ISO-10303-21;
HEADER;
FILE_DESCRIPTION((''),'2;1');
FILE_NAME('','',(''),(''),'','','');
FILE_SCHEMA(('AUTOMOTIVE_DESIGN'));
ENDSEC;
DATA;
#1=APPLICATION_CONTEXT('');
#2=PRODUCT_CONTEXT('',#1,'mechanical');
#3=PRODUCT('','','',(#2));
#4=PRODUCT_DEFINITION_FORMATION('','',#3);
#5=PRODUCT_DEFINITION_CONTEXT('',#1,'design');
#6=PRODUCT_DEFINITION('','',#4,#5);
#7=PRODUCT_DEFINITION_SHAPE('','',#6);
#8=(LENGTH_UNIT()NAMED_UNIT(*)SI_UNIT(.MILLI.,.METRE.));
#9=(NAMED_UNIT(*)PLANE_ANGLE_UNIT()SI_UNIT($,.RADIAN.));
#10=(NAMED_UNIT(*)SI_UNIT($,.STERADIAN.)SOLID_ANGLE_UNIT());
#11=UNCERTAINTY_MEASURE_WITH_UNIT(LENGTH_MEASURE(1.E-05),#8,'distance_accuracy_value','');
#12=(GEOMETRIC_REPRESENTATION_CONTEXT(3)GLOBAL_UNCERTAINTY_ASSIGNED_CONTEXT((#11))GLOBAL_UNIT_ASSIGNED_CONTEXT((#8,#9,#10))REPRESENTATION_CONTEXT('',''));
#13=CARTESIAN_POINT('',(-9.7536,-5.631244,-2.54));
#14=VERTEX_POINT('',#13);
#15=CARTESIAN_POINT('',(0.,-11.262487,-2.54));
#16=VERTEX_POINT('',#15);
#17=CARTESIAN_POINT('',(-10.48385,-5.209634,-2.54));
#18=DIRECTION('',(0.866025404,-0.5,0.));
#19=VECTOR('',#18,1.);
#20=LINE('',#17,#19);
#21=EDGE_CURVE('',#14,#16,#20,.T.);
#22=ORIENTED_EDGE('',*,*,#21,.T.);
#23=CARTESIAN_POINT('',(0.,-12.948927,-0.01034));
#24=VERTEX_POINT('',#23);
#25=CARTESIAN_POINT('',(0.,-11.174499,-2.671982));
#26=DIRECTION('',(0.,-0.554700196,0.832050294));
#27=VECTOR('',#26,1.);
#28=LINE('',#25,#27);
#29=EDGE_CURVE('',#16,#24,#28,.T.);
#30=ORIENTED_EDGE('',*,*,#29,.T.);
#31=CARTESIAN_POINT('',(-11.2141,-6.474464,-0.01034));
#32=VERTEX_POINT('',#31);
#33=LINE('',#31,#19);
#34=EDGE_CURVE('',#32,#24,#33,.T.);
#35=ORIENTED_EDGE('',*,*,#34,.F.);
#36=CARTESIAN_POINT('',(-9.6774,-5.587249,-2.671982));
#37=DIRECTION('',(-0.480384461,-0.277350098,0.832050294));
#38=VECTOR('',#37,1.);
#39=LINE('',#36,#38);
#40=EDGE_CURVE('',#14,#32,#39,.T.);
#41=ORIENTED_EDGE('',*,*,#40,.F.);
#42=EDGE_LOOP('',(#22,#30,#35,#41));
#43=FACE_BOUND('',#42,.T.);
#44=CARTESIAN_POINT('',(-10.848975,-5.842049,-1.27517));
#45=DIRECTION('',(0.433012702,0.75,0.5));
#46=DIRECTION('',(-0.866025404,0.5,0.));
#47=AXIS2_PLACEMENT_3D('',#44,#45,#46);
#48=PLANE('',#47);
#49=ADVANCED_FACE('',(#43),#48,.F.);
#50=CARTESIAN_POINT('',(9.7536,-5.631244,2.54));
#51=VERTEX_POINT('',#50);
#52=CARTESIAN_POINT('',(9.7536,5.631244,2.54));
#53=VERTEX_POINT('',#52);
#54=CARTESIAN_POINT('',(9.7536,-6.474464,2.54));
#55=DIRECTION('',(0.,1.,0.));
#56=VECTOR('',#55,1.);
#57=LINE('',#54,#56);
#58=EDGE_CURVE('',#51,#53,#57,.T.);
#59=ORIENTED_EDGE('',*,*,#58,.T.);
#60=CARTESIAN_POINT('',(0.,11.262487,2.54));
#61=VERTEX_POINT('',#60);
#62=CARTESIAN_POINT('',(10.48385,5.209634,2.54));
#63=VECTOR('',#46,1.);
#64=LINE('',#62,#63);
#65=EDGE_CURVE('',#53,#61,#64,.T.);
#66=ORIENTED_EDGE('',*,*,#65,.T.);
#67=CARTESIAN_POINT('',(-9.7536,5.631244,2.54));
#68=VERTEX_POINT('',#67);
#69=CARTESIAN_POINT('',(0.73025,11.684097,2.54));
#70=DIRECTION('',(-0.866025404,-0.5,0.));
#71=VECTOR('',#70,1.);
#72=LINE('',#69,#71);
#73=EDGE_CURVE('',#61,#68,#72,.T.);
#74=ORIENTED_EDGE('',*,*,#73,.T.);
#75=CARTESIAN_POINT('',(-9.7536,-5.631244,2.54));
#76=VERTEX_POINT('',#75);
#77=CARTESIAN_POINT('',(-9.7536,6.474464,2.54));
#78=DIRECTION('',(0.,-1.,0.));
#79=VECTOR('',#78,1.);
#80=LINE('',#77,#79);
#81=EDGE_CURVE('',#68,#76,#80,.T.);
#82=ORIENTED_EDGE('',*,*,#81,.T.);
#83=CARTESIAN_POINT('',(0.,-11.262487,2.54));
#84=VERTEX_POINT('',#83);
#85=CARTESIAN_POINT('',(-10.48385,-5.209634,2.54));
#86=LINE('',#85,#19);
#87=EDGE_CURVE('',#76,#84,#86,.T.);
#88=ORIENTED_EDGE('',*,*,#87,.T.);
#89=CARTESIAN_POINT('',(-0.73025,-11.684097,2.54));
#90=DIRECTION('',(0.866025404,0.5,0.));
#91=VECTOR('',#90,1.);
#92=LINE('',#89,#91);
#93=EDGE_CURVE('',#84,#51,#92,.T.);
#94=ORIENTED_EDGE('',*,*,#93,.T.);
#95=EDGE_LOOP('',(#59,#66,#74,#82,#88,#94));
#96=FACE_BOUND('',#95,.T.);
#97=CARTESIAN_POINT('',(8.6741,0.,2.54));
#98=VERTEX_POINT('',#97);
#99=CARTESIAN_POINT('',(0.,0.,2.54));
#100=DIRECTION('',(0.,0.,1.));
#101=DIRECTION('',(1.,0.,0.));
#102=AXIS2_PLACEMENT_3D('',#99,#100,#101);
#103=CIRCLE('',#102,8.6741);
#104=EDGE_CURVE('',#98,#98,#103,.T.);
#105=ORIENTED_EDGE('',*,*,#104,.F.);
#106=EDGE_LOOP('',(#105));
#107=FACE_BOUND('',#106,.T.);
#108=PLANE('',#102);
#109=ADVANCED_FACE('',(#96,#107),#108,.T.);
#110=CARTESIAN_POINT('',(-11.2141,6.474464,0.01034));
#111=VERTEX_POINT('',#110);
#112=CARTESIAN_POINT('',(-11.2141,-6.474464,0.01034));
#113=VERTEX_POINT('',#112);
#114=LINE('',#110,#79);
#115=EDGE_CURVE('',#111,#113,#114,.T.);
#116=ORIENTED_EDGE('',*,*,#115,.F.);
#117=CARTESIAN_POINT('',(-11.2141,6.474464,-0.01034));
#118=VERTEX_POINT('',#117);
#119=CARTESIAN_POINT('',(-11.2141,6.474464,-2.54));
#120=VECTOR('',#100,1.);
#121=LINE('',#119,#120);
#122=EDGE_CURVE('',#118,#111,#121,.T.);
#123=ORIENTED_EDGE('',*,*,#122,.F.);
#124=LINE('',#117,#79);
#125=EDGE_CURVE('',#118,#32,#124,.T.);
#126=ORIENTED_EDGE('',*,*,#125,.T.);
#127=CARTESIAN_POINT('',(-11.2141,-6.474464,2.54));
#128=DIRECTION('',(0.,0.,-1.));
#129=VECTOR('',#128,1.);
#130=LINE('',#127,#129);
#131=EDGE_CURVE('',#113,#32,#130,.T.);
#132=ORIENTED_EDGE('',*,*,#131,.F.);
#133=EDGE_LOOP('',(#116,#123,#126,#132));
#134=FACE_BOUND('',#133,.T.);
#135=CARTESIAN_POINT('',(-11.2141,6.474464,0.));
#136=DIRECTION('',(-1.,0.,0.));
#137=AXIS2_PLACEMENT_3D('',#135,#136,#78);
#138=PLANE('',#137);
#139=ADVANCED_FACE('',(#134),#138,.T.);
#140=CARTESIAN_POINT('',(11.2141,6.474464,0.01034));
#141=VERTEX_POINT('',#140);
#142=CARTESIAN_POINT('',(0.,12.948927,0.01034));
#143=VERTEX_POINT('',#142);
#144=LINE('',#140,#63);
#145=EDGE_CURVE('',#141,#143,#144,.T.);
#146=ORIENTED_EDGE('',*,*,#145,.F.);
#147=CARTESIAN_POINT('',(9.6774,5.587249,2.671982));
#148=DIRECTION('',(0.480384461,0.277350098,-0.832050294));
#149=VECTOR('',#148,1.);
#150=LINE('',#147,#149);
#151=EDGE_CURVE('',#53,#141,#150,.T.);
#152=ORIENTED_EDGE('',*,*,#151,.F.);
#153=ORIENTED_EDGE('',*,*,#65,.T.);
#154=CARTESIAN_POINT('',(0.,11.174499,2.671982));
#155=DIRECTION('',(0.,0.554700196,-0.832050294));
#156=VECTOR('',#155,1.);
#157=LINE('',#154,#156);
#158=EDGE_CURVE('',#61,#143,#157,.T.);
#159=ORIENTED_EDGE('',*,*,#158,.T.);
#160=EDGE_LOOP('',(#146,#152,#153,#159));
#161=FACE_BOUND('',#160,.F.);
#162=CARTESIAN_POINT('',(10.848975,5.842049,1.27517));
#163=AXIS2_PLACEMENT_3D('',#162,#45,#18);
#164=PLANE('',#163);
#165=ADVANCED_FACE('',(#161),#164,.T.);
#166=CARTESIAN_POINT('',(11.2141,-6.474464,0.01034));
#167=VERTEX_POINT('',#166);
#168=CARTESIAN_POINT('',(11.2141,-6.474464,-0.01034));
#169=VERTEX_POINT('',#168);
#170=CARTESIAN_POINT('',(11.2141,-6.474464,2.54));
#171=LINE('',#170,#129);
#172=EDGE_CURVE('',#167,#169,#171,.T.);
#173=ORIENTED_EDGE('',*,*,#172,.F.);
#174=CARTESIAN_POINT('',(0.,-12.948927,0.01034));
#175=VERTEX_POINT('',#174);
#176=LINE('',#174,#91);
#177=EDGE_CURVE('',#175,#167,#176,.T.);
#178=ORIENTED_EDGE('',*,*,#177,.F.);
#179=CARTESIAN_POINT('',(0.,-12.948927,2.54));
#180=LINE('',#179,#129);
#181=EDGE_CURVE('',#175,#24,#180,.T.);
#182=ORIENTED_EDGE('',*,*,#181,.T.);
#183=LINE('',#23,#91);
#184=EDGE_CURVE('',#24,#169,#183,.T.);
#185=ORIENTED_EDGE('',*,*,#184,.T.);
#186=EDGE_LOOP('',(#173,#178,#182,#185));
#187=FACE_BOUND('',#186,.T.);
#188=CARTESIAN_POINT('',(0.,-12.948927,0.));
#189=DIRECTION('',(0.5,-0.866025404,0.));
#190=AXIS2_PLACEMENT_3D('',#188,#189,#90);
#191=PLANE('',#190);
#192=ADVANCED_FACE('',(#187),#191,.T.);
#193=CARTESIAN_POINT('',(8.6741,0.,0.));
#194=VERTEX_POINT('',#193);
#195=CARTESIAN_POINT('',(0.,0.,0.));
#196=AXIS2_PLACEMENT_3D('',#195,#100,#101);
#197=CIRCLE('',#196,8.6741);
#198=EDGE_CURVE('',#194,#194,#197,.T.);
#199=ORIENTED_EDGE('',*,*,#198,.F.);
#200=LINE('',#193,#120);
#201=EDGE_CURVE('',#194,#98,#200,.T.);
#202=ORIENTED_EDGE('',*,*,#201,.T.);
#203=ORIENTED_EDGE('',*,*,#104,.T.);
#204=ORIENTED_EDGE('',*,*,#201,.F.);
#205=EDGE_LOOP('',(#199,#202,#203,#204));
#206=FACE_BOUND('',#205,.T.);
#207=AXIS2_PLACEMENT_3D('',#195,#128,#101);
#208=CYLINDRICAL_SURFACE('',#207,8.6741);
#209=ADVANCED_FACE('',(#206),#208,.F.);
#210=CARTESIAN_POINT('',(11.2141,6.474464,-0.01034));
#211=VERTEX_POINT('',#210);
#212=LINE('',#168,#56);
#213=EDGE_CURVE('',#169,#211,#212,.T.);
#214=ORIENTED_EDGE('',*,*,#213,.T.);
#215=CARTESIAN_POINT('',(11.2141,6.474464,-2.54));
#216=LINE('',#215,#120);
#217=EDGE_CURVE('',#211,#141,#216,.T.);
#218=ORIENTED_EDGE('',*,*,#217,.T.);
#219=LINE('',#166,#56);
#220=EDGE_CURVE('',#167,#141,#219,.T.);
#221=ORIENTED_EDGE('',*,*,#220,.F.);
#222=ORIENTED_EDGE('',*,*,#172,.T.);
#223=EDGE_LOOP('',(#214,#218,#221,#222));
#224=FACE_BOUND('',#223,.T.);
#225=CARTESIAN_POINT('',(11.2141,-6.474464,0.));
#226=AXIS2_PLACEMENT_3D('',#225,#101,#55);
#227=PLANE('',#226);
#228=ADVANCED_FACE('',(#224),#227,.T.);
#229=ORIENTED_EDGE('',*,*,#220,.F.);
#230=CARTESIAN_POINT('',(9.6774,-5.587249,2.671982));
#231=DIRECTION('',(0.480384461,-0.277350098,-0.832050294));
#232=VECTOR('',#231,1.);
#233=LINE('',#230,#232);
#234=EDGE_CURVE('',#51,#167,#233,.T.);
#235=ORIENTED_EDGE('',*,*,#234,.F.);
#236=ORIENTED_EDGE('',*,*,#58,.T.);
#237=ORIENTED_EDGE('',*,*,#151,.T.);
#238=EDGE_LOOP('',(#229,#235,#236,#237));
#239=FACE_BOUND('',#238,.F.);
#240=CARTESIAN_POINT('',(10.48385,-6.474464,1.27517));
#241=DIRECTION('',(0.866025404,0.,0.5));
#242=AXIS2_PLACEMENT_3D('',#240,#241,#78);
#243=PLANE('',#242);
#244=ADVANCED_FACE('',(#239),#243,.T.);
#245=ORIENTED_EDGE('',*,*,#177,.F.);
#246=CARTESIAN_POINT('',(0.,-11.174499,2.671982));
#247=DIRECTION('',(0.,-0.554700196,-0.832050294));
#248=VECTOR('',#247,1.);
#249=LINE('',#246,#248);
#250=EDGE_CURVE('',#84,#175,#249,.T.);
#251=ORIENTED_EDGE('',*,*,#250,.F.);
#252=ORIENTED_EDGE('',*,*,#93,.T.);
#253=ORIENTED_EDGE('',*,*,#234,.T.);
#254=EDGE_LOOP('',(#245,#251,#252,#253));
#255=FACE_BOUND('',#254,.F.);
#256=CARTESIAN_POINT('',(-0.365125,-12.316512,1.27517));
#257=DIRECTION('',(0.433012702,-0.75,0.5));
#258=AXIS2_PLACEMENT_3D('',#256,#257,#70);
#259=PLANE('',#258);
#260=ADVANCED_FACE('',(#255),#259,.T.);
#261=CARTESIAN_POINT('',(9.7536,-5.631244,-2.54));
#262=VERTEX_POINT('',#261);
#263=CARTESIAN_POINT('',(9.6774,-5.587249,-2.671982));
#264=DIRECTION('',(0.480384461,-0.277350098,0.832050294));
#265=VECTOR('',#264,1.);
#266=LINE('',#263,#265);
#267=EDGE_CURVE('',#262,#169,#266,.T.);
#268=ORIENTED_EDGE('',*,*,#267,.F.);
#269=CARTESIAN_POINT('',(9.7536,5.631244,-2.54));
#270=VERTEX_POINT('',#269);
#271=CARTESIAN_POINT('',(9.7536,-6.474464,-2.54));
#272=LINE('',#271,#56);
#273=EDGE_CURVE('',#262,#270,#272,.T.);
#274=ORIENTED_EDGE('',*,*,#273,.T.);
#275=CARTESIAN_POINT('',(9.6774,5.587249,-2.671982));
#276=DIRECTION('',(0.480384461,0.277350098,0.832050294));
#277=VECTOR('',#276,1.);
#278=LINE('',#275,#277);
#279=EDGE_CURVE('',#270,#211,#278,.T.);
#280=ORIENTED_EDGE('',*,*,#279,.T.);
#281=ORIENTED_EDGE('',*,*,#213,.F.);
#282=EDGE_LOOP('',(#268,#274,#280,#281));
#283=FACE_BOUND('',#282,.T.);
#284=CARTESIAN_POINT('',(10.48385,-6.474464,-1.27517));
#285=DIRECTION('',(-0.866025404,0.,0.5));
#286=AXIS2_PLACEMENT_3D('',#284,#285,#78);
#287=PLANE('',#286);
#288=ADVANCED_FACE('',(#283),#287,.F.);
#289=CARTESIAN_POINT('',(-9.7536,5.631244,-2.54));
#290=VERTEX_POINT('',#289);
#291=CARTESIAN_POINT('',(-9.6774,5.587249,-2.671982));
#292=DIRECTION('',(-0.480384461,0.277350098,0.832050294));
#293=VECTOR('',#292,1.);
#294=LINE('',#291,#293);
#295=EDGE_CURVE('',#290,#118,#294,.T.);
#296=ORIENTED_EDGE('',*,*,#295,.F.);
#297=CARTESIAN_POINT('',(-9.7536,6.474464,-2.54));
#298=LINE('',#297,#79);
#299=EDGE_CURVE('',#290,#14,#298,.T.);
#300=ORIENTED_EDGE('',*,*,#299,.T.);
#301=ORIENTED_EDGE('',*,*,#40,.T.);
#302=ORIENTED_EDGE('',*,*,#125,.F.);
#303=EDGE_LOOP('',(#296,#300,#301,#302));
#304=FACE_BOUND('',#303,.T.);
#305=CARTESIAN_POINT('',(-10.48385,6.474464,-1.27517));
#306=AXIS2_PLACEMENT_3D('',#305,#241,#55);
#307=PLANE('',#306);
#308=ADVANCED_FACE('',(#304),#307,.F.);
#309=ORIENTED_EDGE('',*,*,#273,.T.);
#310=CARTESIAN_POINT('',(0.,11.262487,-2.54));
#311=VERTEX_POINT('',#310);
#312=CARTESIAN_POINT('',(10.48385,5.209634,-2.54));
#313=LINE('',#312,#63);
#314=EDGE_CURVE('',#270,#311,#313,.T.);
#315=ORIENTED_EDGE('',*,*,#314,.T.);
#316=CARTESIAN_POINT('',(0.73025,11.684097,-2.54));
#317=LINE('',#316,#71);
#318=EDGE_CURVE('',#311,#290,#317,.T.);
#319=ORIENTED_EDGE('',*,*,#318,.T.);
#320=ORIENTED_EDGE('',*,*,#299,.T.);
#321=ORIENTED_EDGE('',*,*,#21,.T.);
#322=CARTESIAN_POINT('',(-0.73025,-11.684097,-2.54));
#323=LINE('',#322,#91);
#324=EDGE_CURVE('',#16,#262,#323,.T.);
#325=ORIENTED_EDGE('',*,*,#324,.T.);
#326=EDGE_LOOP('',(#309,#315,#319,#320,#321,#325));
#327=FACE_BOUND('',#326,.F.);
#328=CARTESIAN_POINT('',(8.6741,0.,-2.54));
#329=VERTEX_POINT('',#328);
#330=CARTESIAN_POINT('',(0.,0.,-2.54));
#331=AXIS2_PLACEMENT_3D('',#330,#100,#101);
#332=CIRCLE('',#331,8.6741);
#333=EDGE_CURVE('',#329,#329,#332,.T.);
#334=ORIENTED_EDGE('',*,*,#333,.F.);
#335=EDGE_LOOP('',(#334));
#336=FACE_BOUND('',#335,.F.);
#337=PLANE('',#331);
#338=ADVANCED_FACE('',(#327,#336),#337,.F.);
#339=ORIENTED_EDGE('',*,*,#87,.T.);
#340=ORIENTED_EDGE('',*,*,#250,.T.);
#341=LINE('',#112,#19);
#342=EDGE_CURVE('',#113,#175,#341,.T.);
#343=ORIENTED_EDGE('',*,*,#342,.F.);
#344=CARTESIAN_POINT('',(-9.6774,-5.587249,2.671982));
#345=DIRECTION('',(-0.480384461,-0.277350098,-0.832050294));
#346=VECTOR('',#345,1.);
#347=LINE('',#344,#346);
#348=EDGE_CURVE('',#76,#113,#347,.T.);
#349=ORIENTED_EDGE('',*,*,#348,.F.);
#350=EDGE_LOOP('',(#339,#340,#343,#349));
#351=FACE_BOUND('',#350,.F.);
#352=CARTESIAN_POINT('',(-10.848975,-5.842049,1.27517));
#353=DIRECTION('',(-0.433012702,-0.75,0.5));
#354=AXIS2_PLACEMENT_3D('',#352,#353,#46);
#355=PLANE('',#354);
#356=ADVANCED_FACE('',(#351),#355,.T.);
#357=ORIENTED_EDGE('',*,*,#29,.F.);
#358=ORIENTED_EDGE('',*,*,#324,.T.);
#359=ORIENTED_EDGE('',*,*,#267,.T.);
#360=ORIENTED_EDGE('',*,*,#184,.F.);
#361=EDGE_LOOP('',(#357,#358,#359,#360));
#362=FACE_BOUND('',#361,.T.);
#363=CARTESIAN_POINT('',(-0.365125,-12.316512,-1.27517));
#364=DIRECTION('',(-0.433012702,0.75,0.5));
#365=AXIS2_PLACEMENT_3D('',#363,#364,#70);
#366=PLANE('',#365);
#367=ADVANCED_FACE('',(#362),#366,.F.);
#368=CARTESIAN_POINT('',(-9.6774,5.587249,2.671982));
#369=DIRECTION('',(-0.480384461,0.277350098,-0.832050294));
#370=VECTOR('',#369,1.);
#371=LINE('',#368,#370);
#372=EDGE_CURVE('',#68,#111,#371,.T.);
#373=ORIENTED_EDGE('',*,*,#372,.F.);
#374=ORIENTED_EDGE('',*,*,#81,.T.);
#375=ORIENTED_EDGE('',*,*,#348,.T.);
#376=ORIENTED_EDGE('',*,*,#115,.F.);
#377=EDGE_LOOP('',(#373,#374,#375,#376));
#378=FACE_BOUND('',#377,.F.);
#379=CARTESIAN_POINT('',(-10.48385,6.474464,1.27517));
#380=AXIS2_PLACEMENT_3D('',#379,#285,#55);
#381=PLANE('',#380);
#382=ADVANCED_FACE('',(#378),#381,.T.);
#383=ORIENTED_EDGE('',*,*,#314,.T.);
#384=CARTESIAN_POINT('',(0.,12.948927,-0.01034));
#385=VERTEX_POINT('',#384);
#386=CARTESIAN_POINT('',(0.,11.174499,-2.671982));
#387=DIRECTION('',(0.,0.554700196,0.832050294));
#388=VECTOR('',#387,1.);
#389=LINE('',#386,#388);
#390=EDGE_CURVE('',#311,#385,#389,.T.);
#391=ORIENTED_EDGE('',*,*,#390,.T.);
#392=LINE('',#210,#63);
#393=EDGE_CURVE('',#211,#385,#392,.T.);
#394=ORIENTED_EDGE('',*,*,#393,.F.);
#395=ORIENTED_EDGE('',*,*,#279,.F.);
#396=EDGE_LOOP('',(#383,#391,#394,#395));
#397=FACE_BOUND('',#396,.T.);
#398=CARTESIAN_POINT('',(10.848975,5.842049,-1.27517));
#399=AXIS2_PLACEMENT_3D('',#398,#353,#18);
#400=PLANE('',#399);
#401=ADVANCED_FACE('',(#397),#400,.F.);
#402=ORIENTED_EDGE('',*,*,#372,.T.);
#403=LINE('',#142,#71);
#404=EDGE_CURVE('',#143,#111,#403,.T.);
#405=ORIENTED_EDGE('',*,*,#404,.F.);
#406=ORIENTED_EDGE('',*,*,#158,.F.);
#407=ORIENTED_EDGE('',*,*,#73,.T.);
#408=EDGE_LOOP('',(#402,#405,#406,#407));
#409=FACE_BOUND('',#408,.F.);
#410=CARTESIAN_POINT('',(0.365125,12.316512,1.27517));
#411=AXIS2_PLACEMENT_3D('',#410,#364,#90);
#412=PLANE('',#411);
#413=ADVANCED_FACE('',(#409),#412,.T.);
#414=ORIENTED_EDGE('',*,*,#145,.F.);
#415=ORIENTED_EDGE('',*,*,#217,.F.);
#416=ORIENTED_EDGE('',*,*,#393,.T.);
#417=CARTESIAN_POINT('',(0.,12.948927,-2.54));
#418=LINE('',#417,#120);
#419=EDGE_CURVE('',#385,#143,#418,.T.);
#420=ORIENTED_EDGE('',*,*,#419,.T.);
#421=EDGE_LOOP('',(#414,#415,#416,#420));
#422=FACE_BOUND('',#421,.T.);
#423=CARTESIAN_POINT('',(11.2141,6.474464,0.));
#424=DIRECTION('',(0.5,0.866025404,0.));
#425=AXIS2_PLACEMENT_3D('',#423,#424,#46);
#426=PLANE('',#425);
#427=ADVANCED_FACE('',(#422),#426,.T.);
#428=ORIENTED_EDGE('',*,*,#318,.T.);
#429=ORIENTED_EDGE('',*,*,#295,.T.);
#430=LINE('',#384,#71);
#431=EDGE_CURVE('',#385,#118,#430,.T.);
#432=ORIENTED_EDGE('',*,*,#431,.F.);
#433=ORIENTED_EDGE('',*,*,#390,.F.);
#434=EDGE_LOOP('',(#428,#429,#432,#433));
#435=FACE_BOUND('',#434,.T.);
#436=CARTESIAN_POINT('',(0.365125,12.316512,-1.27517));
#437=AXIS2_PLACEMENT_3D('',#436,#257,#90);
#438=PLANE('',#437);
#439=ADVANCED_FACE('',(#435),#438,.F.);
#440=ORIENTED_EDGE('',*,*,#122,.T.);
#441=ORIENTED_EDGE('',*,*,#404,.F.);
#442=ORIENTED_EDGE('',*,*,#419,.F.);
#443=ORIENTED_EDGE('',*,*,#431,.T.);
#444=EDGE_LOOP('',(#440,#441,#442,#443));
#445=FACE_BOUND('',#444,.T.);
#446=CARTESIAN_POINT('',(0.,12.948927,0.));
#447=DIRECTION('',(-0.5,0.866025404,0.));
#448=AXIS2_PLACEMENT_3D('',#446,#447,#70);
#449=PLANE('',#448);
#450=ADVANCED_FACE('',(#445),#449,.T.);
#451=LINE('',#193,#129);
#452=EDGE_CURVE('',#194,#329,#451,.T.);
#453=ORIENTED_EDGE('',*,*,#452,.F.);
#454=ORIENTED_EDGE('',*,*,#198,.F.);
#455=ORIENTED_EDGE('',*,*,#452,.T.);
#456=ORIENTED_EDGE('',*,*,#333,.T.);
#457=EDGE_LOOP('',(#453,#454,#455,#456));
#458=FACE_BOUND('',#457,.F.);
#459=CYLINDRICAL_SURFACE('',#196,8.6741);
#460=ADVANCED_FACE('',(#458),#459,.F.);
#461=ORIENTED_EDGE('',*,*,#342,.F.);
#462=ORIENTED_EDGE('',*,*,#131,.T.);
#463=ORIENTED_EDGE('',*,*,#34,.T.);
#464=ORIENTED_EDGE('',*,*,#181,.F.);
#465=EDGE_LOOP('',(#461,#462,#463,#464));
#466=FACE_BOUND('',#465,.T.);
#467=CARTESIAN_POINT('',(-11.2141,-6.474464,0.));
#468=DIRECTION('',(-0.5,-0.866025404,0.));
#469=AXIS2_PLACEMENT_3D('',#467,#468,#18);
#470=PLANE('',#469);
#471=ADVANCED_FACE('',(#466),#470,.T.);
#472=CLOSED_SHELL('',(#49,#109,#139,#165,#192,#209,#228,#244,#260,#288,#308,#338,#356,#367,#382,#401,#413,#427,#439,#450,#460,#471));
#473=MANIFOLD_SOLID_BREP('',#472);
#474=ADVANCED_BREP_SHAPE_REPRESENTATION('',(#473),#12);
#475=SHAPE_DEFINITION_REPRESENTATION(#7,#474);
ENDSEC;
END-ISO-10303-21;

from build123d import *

# Parameters (mm, degrees)
F0_R          = 8.6741
F1_DEPTH      = 2.54
F1_DEPTH_BACK = 2.54
F2_SIZE2      = 2.5296602045
F2_SIZE       = 1.4605
F3_SIZE2      = 2.5296602045
F3_SIZE       = 1.4605


with BuildPart() as f1:
    # F0 (on Top) → F1 (new body, two sides)
    with BuildSketch(Plane.XY) as f1_sk:
        Polygon((11.2141, -6.4744636537), (11.2141, 6.4744636537), (0, 12.9489273074), (-11.2141, 6.4744636537), (-11.2141, -6.4744636537), (0, -12.9489273074), align=None)
        Circle(F0_R, mode=Mode.SUBTRACT)
    extrude(amount=F1_DEPTH)
    extrude(f1_sk.sketch, amount=-F1_DEPTH_BACK)

    # F2
    f2_edges = [f1.edges().sort_by_distance(p)[0] for p in [
        (-5.60705, 9.711695, 2.54),
        (-11.2141, 0, 2.54),
        (-5.60705, -9.711695, 2.54),
        (5.60705, -9.711695, 2.54),
        (11.2141, 0, 2.54),
        (5.60705, 9.711695, 2.54),
    ]]
    f2_side = f1.faces().sort_by_distance((10.871504, 0, 2.54))[0]
    chamfer(f2_edges, length=F2_SIZE, length2=F2_SIZE2, reference=f2_side)

    # F3
    f3_edges = [f1.edges().sort_by_distance(p)[0] for p in [
        (-5.60705, 9.711695, -2.54),
        (-11.2141, 0, -2.54),
        (-5.60705, -9.711695, -2.54),
        (5.60705, -9.711695, -2.54),
        (11.2141, 0, -2.54),
        (5.60705, 9.711695, -2.54),
    ]]
    f3_side = f1.faces().sort_by_distance((10.871504, 0, -2.54))[0]
    chamfer(f3_edges, length=F3_SIZE, length2=F3_SIZE2, reference=f3_side)


solid = f1.part
